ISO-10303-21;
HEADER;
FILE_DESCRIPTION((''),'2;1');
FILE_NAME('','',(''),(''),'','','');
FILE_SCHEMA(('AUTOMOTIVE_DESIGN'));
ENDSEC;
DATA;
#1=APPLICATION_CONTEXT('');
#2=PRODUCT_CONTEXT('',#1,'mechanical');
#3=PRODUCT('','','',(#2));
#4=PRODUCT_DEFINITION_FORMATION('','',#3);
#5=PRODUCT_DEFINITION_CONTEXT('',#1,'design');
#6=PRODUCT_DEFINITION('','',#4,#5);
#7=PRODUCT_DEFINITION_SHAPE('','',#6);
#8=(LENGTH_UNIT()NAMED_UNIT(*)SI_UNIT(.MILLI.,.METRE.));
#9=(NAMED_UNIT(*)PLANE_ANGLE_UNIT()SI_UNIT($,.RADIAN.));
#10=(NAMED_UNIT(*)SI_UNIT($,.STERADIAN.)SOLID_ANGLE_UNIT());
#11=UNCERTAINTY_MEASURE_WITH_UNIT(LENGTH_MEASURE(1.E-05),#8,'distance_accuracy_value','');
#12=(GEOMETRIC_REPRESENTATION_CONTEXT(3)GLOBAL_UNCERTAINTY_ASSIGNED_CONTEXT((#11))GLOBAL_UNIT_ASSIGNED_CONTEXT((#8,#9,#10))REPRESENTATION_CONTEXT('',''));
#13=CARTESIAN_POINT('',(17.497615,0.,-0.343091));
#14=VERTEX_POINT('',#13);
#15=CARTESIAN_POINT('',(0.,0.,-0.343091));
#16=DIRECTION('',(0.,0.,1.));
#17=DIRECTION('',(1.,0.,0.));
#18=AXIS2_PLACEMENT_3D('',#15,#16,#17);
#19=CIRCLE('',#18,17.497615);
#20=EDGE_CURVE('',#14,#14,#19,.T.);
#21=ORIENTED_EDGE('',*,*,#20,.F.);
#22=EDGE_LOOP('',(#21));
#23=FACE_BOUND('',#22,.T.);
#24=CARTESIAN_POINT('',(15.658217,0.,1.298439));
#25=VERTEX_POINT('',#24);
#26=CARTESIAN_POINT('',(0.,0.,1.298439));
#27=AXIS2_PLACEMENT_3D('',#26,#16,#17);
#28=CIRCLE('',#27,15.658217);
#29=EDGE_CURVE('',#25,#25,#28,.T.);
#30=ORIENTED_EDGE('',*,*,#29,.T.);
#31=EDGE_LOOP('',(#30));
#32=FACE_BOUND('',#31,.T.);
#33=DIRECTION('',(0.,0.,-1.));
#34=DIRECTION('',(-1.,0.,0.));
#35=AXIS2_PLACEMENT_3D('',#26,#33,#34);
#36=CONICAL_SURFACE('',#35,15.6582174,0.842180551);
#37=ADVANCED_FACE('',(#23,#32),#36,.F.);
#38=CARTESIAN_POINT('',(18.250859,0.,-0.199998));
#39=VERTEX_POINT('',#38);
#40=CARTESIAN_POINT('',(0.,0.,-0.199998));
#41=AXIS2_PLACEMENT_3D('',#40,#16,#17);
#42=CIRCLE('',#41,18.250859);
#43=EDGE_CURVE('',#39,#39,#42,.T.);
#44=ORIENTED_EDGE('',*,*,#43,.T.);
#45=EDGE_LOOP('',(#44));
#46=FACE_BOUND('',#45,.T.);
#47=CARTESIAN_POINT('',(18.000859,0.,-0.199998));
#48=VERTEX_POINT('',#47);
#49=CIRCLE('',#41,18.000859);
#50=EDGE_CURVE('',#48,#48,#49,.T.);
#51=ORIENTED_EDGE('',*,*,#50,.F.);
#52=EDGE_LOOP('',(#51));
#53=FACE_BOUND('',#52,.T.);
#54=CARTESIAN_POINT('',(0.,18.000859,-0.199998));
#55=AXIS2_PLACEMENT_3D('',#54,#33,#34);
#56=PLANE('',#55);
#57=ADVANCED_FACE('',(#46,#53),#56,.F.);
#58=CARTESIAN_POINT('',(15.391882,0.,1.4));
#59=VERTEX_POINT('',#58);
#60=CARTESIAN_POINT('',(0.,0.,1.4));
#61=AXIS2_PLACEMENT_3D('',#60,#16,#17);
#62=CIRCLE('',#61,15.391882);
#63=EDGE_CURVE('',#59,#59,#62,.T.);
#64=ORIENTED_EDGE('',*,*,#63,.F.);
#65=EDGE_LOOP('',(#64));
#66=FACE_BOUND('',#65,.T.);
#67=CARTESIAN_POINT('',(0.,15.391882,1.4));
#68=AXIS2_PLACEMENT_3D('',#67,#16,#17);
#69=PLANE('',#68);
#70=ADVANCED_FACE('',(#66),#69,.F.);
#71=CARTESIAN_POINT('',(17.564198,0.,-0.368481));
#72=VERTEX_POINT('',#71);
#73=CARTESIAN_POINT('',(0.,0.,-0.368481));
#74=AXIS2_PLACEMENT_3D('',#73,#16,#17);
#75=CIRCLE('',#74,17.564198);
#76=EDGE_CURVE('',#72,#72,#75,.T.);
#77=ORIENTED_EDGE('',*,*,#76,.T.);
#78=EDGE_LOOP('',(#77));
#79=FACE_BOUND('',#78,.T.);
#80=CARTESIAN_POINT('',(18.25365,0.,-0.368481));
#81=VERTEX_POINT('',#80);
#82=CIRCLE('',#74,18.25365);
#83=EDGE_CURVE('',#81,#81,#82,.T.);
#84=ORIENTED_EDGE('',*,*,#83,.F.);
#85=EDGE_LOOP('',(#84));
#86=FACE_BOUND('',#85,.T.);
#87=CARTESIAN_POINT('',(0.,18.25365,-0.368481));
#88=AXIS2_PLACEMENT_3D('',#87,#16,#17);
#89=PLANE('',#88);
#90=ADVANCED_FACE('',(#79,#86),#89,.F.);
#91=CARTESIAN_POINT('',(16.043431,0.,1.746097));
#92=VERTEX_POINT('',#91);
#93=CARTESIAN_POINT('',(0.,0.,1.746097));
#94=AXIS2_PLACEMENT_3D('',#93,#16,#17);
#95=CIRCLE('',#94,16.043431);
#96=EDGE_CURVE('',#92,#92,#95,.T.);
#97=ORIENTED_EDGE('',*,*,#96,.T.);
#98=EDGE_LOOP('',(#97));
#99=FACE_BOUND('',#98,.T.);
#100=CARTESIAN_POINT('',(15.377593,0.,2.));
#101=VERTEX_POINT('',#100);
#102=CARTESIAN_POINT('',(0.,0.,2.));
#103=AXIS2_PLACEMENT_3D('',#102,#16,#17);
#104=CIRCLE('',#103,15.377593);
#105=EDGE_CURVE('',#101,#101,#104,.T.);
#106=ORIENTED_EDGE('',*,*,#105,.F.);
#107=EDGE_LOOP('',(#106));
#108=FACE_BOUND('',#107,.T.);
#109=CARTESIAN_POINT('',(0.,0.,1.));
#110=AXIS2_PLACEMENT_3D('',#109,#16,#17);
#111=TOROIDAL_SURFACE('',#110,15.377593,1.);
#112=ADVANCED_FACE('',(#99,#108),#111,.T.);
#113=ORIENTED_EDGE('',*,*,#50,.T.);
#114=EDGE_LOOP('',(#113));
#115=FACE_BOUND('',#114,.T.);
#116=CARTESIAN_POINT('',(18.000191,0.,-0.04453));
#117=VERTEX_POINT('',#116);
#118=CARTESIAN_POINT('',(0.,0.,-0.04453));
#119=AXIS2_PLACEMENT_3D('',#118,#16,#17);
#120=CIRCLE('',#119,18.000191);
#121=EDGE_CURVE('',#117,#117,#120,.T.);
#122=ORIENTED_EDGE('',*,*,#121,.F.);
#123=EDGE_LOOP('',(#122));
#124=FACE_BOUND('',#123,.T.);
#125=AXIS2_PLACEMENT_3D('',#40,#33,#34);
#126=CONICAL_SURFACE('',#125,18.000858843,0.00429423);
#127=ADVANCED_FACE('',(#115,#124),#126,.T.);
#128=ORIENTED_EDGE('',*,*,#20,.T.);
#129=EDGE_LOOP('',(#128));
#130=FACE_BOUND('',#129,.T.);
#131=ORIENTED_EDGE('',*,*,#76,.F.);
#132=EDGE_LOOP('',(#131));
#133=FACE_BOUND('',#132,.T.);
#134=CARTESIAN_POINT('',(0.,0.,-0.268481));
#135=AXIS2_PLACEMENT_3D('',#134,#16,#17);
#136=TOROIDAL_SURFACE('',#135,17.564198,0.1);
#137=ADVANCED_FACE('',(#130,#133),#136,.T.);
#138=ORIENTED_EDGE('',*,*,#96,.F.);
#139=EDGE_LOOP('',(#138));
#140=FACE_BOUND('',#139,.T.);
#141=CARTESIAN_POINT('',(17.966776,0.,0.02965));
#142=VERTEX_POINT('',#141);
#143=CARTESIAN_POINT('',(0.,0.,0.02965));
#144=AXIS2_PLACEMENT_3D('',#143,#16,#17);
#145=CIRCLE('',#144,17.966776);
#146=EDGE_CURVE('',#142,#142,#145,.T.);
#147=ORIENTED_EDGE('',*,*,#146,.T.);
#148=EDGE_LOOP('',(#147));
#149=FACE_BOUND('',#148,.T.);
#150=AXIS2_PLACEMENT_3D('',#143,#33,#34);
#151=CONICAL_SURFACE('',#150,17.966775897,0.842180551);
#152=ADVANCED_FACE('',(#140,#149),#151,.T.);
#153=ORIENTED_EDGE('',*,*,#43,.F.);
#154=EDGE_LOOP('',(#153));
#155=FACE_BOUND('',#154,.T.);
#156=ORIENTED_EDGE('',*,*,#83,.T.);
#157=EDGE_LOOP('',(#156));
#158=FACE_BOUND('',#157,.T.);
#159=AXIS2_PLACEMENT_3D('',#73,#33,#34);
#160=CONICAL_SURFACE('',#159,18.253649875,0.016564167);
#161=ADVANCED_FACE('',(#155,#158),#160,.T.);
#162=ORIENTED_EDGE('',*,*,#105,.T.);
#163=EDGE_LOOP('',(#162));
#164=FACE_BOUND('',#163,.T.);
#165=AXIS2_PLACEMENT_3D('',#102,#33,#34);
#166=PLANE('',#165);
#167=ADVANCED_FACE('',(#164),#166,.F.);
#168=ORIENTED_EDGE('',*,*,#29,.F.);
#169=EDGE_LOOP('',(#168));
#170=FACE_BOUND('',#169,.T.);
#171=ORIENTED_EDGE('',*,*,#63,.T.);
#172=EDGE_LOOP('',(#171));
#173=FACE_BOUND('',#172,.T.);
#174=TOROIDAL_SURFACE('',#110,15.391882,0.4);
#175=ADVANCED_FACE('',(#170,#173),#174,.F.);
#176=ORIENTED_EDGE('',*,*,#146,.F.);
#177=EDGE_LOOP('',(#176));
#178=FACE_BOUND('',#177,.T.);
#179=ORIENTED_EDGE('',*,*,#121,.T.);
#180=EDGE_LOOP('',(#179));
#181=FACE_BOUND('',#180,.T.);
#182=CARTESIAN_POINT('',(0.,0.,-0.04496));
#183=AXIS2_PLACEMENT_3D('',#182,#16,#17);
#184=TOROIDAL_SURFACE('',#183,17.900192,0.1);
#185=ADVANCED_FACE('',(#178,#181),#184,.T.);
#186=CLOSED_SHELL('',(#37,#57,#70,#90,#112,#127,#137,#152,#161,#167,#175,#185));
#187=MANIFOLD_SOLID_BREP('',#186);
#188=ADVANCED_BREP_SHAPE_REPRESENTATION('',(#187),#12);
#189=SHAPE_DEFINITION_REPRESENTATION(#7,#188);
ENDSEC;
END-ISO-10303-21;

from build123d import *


with BuildPart() as part:
    # Sketch1 → Revolve1 (revolve)
    with BuildSketch(Plane(origin=(0, 0, 0), x_dir=(0, 0, -1), z_dir=(1, 0, 0))):
        with BuildLine():
            Line((0.199998156, 18.250858843), (0.368480901, 18.253649875))
            Line((0.368480901, 18.253649875), (0.368480901, 17.564198472))
            ThreePointArc((0.368480901, 17.564198472), (0.36191796, 17.528568202), (0.34309058, 17.497614721))
            Line((0.34309058, 17.497614721), (-1.298438714, 15.6582174))
            ThreePointArc((-1.298438714, 15.6582174), (-1.373748235, 15.534403473), (-1.4, 15.391882396))
            Line((-1.4, 15.391882396), (-1.4, 0))
            Line((-1.4, 0), (-2, 0))
            Line((-2, 0), (-2, 15.377593236))
            ThreePointArc((-2, 15.377593236), (-1.934370586, 15.733895926), (-1.746096785, 16.043430744))
            Line((-1.746096785, 16.043430744), (-0.029650113, 17.966775897))
            ThreePointArc((-0.029650113, 17.966775897), (0.003888132, 17.991368554), (0.044530144, 18.000191224))
            Line((0.044530144, 18.000191224), (0.199998156, 18.000858843))
            Line((0.199998156, 18.000858843), (0.199998156, 18.250858843))
        make_face()
    revolve(axis=Axis((0, 0, 10.644061054), (0, 0, -1)))


solid = part.part
